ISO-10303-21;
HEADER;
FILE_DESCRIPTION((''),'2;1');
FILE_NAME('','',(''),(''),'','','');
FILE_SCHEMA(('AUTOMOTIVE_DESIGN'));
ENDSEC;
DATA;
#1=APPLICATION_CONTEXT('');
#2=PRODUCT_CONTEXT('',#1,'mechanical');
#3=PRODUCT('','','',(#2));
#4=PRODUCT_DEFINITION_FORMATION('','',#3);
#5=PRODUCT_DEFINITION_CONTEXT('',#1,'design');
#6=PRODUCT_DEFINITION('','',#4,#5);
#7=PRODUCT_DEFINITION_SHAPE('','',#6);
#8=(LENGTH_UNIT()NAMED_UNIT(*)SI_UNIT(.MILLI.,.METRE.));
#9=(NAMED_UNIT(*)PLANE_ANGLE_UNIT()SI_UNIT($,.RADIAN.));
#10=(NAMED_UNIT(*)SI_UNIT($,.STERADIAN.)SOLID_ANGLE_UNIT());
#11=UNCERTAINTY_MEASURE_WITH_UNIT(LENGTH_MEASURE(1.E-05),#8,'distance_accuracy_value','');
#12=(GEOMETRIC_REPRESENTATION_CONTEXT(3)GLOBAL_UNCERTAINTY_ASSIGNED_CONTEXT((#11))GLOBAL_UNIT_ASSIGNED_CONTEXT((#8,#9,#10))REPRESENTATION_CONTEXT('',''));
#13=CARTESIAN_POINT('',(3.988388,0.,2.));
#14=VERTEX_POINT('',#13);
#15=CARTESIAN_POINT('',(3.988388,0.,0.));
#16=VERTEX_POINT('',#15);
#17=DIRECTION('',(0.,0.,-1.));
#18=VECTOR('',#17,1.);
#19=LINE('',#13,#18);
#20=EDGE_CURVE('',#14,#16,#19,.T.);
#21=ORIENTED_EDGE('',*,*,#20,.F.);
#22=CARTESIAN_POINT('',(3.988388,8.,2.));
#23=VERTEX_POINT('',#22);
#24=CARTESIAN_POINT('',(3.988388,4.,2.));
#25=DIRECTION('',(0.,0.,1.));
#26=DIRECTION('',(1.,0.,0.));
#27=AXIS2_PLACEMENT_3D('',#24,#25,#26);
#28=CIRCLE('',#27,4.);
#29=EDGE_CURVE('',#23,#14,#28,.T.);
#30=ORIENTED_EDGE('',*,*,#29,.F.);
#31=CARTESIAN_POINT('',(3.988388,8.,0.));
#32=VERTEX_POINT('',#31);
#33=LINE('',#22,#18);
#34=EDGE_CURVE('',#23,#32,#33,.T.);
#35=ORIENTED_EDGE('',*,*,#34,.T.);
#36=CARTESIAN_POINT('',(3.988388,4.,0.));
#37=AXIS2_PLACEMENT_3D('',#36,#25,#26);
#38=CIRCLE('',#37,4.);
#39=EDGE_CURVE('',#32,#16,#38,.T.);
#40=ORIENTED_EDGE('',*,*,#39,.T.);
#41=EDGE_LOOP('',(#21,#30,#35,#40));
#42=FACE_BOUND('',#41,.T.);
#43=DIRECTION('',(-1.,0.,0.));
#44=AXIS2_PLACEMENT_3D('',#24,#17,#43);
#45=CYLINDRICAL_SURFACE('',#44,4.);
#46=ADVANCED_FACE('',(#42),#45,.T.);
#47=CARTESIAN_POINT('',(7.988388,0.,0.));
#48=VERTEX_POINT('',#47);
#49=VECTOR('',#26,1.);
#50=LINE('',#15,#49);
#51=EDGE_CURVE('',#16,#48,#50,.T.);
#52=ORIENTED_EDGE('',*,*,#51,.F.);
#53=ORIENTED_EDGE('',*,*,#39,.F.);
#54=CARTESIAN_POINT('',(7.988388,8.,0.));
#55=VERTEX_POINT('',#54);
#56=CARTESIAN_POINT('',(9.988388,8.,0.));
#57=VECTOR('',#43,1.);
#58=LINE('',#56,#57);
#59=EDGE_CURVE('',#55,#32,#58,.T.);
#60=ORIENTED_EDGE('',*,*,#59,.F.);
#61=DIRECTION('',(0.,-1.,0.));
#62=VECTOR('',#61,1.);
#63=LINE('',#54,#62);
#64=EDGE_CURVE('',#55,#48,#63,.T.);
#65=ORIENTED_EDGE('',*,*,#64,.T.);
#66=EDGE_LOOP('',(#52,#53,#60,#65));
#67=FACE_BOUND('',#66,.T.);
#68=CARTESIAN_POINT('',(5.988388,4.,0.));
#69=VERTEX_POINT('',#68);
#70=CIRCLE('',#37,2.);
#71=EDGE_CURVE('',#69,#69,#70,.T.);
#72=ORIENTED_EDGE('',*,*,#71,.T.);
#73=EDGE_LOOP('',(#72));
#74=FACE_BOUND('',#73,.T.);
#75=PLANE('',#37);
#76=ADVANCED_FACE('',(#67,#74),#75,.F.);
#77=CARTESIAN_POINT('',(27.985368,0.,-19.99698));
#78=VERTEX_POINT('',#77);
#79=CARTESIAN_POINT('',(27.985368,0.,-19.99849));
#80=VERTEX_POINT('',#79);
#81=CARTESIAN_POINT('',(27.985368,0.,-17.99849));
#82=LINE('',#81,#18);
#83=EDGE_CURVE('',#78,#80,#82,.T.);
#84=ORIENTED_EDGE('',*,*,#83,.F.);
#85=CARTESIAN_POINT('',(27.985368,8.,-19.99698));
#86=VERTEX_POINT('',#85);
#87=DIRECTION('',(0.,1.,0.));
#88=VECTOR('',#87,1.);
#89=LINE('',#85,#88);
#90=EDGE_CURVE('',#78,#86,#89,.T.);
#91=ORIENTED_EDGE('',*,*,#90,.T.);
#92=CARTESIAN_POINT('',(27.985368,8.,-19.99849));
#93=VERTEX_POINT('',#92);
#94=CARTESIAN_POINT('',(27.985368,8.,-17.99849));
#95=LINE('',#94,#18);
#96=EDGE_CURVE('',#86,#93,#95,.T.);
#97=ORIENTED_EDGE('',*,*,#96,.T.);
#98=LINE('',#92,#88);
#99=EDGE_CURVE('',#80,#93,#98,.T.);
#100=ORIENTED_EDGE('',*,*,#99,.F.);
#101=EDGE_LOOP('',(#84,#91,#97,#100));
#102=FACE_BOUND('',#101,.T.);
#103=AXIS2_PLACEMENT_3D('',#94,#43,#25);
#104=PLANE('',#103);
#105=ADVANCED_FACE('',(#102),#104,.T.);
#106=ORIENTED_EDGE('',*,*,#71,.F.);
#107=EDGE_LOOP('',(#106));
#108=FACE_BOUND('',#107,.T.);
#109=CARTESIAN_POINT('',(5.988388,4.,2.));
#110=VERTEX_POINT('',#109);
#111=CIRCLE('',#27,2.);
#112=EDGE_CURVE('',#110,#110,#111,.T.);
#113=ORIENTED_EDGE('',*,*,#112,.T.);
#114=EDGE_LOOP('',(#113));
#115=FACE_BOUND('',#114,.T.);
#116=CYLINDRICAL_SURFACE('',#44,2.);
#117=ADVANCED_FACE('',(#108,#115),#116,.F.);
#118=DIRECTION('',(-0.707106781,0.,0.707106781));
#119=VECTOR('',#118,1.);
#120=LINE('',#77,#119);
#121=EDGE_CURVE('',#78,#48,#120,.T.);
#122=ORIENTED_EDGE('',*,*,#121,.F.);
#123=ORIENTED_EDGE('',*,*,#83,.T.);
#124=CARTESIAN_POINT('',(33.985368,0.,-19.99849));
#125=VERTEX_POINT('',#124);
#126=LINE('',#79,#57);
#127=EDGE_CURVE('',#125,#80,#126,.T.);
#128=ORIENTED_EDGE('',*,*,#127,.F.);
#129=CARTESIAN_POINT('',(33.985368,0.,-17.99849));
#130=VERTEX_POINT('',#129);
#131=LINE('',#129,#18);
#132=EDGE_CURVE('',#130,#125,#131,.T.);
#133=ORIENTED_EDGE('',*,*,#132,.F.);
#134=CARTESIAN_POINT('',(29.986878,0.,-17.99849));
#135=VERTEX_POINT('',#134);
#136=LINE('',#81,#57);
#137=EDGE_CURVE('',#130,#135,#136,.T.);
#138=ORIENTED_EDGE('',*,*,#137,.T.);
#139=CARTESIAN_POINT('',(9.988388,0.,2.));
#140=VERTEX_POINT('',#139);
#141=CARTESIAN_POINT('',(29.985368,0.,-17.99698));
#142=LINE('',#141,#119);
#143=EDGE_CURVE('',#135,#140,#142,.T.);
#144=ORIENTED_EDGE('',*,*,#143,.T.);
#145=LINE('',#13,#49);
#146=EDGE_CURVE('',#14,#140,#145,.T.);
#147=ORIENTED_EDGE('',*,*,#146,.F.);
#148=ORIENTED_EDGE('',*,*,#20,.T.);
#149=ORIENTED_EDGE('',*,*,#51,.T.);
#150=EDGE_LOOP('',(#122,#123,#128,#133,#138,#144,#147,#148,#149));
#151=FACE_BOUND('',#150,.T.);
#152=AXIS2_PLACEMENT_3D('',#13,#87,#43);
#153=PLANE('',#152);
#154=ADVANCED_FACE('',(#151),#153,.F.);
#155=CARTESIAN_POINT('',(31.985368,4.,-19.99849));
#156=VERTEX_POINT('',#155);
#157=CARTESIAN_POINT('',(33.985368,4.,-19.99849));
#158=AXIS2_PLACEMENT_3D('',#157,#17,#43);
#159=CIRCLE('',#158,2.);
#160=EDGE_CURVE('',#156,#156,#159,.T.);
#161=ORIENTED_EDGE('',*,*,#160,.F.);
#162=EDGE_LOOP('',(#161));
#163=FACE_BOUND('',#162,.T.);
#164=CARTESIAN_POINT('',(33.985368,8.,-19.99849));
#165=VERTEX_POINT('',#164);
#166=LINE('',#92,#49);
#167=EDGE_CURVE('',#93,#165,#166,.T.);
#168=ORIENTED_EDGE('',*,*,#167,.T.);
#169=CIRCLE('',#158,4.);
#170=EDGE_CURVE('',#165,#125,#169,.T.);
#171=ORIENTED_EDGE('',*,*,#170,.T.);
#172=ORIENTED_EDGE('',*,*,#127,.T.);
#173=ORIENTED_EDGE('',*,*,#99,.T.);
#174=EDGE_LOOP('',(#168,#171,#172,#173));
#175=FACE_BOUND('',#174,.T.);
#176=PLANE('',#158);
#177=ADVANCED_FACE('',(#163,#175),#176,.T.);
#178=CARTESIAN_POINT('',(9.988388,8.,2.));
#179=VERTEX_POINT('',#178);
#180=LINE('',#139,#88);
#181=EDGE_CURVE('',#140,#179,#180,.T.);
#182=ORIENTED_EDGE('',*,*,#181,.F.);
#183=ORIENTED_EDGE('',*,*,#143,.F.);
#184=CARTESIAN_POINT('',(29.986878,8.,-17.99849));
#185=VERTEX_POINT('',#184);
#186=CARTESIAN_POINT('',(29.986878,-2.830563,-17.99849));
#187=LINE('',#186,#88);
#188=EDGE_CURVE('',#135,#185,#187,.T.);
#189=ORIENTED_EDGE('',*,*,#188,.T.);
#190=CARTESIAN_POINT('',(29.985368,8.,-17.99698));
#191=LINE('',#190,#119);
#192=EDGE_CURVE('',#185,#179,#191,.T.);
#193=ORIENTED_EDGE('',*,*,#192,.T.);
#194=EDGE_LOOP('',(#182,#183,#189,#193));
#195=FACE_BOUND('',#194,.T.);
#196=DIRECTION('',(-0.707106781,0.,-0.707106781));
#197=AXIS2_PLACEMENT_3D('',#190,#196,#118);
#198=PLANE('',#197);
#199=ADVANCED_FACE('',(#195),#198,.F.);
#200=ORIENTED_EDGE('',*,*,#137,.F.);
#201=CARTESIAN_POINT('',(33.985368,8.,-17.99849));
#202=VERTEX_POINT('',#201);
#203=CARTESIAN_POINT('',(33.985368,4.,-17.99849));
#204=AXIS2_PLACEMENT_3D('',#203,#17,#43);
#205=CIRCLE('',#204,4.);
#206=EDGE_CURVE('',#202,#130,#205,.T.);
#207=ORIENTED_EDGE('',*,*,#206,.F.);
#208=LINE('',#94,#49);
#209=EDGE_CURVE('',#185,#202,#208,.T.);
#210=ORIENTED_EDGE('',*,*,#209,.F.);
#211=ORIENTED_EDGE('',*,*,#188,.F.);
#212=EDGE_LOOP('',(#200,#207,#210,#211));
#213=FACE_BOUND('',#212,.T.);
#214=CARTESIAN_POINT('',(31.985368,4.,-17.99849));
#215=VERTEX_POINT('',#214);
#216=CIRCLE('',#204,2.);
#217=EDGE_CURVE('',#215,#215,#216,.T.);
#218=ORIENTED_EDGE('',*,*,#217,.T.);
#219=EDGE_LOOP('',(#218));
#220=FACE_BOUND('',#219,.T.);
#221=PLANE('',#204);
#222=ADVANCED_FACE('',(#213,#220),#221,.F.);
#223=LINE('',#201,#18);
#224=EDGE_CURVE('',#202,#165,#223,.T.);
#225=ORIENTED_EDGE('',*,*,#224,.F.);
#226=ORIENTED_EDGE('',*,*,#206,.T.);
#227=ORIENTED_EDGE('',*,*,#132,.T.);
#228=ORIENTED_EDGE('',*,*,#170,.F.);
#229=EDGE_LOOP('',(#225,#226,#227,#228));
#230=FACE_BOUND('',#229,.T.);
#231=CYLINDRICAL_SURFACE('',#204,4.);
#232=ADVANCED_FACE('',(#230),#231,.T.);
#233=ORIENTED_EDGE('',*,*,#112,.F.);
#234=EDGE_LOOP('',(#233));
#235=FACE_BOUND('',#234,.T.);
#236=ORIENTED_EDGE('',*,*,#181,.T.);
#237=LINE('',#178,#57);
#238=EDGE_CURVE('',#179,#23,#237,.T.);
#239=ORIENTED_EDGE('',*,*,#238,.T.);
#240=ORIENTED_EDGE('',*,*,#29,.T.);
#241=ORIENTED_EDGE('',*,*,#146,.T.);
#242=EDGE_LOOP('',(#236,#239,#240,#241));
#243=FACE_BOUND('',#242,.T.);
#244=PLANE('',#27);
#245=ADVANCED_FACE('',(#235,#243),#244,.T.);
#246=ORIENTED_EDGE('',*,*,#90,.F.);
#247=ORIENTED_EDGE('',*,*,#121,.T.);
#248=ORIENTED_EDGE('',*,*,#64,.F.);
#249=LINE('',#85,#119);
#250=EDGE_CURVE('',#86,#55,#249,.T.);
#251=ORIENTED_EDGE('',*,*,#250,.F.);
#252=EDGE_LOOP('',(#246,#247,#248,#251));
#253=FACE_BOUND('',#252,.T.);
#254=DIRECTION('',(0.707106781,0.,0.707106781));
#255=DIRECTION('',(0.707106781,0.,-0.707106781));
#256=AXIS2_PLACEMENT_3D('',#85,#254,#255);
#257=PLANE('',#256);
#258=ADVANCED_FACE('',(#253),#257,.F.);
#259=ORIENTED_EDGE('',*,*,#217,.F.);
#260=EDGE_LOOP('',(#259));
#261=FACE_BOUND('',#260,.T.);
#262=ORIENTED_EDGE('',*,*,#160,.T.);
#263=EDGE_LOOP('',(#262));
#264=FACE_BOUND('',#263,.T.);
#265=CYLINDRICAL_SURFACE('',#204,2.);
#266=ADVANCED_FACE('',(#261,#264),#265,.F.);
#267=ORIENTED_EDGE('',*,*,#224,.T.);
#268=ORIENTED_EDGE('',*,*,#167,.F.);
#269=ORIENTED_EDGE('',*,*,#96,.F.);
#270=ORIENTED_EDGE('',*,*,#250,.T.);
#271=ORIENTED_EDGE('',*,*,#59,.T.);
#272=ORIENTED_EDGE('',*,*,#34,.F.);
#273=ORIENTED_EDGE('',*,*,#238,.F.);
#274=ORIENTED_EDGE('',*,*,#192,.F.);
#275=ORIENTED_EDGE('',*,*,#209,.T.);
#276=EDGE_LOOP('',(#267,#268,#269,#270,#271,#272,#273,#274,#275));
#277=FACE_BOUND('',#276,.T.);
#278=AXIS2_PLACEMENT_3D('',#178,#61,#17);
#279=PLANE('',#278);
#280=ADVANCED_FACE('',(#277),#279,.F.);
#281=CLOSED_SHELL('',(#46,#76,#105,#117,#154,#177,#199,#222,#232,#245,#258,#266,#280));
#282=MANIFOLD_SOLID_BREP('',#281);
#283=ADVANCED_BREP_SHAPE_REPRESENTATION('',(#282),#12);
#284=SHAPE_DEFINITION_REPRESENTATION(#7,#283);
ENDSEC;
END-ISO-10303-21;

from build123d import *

# Parameters (mm, degrees)
SKETCH_1_R          = 2
EXTRUDE_1_DEPTH     = 2
CUT_EXTRUDE_1_DEPTH = 13.952524728
SKETCH_4_W          = 2.828427125
SKETCH_4_H          = 8
EXTRUDE_2_DEPTH     = 28.28
CUT_EXTRUDE_2_DEPTH = 37.918850015
SKETCH_7_R          = 2
EXTRUDE_3_DEPTH     = 2
EXTRUDE_4_DEPTH     = 8


with BuildPart() as part:
    # 草图1 → 凸台-拉伸1 (new body)
    with BuildSketch(Plane.XY):
        with BuildLine():
            Line((3.9883881, 0), (9.9883881, 0))
            Line((9.9883881, 0), (9.9883881, 8))
            Line((9.9883881, 8), (3.9883881, 8))
            ThreePointArc((3.9883881, 8), (-0.0116119, 4), (3.9883881, 0))
        make_face()
        with Locations((3.9883881, 4)):
            Circle(SKETCH_1_R, mode=Mode.SUBTRACT)
    extrude(amount=EXTRUDE_1_DEPTH)

    # 草图2 → 切除-拉伸1 (cut, through all)
    with BuildSketch(Plane.XZ):
        Polygon((9.9883881, 2), (7.9883881, 0), (9.9883881, 0), align=None)
    extrude(amount=-CUT_EXTRUDE_1_DEPTH, mode=Mode.SUBTRACT)

    # 草图4 → 凸台-拉伸2 (add)
    with BuildSketch(Plane(origin=(3.99419405, 0, -3.99419405), x_dir=(-0.7071067811865488, 0, -0.7071067811865462), z_dir=(0.7071067811865462, 0, -0.7071067811865488))):
        with Locations((-7.062856959, 4)):
            Rectangle(SKETCH_4_W, SKETCH_4_H)
    extrude(amount=EXTRUDE_2_DEPTH)

    # 草图5 → 切除-拉伸2 (cut, through all)
    with BuildSketch(Plane(origin=(0, 8, 0), x_dir=(1, 0, 0), z_dir=(0, 1, 0))):
        Polygon((27.985367872, 19.996979772), (27.985367872, 15.996979772), (29.985367872, 17.996979772), align=None)
    extrude(amount=-CUT_EXTRUDE_2_DEPTH, mode=Mode.SUBTRACT)

    # 草图7 → 凸台-拉伸3 (add)
    with BuildSketch(Plane(origin=(0, 0, -19.998489886), x_dir=(-1, 0, 0), z_dir=(0, 0, -1))):
        with BuildLine():
            Line((-27.985367872, 8), (-33.985367872, 8))
            ThreePointArc((-33.985367872, 8), (-37.985367872, 4), (-33.985367872, 0))
            Line((-33.985367872, 0), (-27.985367872, 0))
            Line((-27.985367872, 0), (-27.985367872, 8))
        make_face()
        with Locations((-33.985367872, 4)):
            Circle(SKETCH_7_R, mode=Mode.SUBTRACT)
    extrude(amount=-EXTRUDE_3_DEPTH)

    # 草图8 → 凸台-拉伸4 (add)
    with BuildSketch(Plane(origin=(0, 8, 0), x_dir=(1, 0, 0), z_dir=(0, 1, 0))):
        Polygon((27.985367872, 15.996979772), (29.986877986, 17.998489886), (27.985367872, 17.998489886), align=None)
    extrude(amount=-EXTRUDE_4_DEPTH)


solid = part.part
